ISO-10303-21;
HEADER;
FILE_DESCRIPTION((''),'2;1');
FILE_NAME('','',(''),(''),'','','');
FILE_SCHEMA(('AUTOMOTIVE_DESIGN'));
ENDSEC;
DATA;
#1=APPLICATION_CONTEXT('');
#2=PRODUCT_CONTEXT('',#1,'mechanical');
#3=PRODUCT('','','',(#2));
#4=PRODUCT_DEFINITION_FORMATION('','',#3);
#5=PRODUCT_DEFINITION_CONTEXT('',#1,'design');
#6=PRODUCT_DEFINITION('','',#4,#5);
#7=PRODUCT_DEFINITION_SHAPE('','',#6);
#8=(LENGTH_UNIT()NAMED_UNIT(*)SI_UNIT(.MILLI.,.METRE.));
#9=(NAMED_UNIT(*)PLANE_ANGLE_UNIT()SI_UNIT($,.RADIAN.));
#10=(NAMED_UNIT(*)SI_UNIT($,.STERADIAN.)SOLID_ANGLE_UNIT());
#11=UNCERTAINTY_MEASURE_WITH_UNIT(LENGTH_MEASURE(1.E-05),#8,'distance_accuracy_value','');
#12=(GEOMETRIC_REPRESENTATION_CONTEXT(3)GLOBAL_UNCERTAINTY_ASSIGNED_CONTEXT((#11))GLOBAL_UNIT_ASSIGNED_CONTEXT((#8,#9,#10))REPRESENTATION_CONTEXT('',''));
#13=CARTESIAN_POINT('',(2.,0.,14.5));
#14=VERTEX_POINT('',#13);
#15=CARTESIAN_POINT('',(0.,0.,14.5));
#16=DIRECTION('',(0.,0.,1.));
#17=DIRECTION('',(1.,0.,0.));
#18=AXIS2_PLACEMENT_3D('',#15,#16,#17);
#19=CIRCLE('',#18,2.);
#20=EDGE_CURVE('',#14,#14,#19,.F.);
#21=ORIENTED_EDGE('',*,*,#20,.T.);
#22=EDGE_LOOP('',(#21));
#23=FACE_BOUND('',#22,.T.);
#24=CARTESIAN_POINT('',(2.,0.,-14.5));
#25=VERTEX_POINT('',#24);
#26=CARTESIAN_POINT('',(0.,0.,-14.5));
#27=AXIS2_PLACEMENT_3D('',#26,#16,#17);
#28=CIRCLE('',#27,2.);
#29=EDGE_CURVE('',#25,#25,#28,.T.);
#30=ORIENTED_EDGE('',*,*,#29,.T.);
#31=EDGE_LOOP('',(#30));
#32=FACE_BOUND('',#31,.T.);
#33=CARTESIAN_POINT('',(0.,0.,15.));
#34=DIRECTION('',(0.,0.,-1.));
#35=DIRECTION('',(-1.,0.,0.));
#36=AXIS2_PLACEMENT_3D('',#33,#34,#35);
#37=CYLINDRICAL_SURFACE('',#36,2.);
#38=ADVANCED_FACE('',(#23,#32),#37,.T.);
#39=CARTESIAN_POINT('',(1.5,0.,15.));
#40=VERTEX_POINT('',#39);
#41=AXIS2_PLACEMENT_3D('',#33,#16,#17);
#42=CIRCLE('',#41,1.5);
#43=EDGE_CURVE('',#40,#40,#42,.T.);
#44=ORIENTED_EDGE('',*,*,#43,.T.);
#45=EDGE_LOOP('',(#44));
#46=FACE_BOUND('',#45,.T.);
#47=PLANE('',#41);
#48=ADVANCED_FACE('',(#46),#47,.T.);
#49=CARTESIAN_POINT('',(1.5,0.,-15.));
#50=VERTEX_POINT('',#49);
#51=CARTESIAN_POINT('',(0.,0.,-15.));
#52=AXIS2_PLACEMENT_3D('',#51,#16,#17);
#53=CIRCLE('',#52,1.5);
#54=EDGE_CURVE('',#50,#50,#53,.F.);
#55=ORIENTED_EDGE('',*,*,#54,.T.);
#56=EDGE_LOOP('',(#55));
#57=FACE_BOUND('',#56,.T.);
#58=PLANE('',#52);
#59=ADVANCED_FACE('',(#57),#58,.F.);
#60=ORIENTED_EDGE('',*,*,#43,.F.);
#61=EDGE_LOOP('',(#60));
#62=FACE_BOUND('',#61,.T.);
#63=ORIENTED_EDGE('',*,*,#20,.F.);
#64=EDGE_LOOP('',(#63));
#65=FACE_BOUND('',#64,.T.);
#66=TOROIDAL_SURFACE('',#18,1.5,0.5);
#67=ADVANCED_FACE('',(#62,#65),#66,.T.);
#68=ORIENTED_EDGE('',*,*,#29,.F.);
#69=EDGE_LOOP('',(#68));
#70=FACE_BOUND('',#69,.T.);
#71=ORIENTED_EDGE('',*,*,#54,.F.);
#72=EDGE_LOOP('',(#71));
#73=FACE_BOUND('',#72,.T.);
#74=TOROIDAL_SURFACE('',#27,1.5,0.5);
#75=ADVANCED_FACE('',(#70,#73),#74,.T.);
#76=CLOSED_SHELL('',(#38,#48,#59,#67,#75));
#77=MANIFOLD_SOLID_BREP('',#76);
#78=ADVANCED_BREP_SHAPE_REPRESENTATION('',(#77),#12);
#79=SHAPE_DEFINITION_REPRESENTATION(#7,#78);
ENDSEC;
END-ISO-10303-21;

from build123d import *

# Parameters (mm, degrees)
SKETCH1_R           = 2
BOSS_EXTRUDE1_DEPTH = 15
FILLET2_R           = 0.5


with BuildPart() as part:
    # Sketch1 → Boss-Extrude1 (new body, symmetric)
    with BuildSketch(Plane.XY):
        Circle(SKETCH1_R)
    extrude(amount=BOSS_EXTRUDE1_DEPTH, both=True)

    # Fillet2
    fillet2_edges = [part.edges().sort_by_distance(p)[0] for p in [
        (-2, 0, -15),
        (-2, 0, 15),
    ]]
    fillet(fillet2_edges, radius=FILLET2_R)


solid = part.part
